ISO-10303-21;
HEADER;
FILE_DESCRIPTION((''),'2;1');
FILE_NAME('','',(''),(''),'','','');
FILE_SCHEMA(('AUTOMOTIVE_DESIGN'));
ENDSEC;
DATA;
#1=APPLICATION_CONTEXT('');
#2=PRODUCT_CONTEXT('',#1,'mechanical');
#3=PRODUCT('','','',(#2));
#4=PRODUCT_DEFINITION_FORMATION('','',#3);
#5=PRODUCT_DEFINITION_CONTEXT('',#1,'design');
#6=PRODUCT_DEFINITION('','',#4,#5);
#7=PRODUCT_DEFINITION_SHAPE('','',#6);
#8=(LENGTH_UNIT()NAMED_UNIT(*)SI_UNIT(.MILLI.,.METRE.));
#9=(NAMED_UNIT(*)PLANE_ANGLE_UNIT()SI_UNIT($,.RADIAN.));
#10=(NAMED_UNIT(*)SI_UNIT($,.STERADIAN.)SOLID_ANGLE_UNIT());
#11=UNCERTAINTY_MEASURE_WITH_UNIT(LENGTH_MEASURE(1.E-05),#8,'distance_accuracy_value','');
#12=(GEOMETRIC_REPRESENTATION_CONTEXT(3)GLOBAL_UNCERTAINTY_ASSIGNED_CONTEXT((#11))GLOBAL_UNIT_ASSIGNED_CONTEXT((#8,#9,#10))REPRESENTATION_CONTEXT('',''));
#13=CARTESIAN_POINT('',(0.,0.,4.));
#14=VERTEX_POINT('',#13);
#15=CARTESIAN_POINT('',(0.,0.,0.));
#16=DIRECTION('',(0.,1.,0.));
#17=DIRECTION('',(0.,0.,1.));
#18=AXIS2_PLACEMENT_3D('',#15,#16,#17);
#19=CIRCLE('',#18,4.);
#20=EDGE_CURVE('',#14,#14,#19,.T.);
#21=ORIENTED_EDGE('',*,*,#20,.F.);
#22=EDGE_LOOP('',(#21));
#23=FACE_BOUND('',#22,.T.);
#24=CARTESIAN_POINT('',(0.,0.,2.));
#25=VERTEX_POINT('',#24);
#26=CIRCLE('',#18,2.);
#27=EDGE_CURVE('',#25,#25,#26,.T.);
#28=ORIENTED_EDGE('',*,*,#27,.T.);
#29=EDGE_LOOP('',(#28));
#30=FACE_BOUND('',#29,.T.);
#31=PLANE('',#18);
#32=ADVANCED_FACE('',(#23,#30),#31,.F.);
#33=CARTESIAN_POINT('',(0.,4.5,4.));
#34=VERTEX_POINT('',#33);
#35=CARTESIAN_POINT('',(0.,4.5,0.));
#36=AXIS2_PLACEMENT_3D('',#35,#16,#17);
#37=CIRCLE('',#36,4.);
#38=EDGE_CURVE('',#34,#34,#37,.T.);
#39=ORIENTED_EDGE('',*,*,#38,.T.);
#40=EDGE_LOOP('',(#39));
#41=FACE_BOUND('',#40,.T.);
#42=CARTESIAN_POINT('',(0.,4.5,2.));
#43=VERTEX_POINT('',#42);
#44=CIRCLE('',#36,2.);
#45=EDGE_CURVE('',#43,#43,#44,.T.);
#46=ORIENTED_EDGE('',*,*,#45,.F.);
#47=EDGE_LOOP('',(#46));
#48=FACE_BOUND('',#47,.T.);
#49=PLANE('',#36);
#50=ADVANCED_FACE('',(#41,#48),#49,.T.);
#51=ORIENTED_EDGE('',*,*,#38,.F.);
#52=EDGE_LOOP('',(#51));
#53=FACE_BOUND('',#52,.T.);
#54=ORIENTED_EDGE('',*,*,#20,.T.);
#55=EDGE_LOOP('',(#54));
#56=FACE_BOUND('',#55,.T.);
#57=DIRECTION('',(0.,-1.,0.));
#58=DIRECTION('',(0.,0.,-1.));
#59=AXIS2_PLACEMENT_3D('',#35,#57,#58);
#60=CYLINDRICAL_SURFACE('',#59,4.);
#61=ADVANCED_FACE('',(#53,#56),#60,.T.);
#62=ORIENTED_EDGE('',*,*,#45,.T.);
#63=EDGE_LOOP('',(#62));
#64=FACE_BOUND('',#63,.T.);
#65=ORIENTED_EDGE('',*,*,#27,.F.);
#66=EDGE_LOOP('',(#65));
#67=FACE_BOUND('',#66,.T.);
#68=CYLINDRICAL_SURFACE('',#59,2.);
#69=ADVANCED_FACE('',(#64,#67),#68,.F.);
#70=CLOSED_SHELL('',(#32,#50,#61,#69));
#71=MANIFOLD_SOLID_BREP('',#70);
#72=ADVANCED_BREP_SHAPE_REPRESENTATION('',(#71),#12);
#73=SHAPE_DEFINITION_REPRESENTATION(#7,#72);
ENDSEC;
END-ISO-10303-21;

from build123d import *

# Parameters (mm, degrees)
SKETCH1_R           = 4
SKETCH1_R_2         = 2
BOSS_EXTRUDE1_DEPTH = 4.5


with BuildPart() as part:
    # Sketch1 → Boss-Extrude1 (new body)
    with BuildSketch(Plane(origin=(0, 0, 0), x_dir=(1, 0, 0), z_dir=(0, 1, 0))):
        Circle(SKETCH1_R)
        Circle(SKETCH1_R_2, mode=Mode.SUBTRACT)
    extrude(amount=BOSS_EXTRUDE1_DEPTH)


solid = part.part
